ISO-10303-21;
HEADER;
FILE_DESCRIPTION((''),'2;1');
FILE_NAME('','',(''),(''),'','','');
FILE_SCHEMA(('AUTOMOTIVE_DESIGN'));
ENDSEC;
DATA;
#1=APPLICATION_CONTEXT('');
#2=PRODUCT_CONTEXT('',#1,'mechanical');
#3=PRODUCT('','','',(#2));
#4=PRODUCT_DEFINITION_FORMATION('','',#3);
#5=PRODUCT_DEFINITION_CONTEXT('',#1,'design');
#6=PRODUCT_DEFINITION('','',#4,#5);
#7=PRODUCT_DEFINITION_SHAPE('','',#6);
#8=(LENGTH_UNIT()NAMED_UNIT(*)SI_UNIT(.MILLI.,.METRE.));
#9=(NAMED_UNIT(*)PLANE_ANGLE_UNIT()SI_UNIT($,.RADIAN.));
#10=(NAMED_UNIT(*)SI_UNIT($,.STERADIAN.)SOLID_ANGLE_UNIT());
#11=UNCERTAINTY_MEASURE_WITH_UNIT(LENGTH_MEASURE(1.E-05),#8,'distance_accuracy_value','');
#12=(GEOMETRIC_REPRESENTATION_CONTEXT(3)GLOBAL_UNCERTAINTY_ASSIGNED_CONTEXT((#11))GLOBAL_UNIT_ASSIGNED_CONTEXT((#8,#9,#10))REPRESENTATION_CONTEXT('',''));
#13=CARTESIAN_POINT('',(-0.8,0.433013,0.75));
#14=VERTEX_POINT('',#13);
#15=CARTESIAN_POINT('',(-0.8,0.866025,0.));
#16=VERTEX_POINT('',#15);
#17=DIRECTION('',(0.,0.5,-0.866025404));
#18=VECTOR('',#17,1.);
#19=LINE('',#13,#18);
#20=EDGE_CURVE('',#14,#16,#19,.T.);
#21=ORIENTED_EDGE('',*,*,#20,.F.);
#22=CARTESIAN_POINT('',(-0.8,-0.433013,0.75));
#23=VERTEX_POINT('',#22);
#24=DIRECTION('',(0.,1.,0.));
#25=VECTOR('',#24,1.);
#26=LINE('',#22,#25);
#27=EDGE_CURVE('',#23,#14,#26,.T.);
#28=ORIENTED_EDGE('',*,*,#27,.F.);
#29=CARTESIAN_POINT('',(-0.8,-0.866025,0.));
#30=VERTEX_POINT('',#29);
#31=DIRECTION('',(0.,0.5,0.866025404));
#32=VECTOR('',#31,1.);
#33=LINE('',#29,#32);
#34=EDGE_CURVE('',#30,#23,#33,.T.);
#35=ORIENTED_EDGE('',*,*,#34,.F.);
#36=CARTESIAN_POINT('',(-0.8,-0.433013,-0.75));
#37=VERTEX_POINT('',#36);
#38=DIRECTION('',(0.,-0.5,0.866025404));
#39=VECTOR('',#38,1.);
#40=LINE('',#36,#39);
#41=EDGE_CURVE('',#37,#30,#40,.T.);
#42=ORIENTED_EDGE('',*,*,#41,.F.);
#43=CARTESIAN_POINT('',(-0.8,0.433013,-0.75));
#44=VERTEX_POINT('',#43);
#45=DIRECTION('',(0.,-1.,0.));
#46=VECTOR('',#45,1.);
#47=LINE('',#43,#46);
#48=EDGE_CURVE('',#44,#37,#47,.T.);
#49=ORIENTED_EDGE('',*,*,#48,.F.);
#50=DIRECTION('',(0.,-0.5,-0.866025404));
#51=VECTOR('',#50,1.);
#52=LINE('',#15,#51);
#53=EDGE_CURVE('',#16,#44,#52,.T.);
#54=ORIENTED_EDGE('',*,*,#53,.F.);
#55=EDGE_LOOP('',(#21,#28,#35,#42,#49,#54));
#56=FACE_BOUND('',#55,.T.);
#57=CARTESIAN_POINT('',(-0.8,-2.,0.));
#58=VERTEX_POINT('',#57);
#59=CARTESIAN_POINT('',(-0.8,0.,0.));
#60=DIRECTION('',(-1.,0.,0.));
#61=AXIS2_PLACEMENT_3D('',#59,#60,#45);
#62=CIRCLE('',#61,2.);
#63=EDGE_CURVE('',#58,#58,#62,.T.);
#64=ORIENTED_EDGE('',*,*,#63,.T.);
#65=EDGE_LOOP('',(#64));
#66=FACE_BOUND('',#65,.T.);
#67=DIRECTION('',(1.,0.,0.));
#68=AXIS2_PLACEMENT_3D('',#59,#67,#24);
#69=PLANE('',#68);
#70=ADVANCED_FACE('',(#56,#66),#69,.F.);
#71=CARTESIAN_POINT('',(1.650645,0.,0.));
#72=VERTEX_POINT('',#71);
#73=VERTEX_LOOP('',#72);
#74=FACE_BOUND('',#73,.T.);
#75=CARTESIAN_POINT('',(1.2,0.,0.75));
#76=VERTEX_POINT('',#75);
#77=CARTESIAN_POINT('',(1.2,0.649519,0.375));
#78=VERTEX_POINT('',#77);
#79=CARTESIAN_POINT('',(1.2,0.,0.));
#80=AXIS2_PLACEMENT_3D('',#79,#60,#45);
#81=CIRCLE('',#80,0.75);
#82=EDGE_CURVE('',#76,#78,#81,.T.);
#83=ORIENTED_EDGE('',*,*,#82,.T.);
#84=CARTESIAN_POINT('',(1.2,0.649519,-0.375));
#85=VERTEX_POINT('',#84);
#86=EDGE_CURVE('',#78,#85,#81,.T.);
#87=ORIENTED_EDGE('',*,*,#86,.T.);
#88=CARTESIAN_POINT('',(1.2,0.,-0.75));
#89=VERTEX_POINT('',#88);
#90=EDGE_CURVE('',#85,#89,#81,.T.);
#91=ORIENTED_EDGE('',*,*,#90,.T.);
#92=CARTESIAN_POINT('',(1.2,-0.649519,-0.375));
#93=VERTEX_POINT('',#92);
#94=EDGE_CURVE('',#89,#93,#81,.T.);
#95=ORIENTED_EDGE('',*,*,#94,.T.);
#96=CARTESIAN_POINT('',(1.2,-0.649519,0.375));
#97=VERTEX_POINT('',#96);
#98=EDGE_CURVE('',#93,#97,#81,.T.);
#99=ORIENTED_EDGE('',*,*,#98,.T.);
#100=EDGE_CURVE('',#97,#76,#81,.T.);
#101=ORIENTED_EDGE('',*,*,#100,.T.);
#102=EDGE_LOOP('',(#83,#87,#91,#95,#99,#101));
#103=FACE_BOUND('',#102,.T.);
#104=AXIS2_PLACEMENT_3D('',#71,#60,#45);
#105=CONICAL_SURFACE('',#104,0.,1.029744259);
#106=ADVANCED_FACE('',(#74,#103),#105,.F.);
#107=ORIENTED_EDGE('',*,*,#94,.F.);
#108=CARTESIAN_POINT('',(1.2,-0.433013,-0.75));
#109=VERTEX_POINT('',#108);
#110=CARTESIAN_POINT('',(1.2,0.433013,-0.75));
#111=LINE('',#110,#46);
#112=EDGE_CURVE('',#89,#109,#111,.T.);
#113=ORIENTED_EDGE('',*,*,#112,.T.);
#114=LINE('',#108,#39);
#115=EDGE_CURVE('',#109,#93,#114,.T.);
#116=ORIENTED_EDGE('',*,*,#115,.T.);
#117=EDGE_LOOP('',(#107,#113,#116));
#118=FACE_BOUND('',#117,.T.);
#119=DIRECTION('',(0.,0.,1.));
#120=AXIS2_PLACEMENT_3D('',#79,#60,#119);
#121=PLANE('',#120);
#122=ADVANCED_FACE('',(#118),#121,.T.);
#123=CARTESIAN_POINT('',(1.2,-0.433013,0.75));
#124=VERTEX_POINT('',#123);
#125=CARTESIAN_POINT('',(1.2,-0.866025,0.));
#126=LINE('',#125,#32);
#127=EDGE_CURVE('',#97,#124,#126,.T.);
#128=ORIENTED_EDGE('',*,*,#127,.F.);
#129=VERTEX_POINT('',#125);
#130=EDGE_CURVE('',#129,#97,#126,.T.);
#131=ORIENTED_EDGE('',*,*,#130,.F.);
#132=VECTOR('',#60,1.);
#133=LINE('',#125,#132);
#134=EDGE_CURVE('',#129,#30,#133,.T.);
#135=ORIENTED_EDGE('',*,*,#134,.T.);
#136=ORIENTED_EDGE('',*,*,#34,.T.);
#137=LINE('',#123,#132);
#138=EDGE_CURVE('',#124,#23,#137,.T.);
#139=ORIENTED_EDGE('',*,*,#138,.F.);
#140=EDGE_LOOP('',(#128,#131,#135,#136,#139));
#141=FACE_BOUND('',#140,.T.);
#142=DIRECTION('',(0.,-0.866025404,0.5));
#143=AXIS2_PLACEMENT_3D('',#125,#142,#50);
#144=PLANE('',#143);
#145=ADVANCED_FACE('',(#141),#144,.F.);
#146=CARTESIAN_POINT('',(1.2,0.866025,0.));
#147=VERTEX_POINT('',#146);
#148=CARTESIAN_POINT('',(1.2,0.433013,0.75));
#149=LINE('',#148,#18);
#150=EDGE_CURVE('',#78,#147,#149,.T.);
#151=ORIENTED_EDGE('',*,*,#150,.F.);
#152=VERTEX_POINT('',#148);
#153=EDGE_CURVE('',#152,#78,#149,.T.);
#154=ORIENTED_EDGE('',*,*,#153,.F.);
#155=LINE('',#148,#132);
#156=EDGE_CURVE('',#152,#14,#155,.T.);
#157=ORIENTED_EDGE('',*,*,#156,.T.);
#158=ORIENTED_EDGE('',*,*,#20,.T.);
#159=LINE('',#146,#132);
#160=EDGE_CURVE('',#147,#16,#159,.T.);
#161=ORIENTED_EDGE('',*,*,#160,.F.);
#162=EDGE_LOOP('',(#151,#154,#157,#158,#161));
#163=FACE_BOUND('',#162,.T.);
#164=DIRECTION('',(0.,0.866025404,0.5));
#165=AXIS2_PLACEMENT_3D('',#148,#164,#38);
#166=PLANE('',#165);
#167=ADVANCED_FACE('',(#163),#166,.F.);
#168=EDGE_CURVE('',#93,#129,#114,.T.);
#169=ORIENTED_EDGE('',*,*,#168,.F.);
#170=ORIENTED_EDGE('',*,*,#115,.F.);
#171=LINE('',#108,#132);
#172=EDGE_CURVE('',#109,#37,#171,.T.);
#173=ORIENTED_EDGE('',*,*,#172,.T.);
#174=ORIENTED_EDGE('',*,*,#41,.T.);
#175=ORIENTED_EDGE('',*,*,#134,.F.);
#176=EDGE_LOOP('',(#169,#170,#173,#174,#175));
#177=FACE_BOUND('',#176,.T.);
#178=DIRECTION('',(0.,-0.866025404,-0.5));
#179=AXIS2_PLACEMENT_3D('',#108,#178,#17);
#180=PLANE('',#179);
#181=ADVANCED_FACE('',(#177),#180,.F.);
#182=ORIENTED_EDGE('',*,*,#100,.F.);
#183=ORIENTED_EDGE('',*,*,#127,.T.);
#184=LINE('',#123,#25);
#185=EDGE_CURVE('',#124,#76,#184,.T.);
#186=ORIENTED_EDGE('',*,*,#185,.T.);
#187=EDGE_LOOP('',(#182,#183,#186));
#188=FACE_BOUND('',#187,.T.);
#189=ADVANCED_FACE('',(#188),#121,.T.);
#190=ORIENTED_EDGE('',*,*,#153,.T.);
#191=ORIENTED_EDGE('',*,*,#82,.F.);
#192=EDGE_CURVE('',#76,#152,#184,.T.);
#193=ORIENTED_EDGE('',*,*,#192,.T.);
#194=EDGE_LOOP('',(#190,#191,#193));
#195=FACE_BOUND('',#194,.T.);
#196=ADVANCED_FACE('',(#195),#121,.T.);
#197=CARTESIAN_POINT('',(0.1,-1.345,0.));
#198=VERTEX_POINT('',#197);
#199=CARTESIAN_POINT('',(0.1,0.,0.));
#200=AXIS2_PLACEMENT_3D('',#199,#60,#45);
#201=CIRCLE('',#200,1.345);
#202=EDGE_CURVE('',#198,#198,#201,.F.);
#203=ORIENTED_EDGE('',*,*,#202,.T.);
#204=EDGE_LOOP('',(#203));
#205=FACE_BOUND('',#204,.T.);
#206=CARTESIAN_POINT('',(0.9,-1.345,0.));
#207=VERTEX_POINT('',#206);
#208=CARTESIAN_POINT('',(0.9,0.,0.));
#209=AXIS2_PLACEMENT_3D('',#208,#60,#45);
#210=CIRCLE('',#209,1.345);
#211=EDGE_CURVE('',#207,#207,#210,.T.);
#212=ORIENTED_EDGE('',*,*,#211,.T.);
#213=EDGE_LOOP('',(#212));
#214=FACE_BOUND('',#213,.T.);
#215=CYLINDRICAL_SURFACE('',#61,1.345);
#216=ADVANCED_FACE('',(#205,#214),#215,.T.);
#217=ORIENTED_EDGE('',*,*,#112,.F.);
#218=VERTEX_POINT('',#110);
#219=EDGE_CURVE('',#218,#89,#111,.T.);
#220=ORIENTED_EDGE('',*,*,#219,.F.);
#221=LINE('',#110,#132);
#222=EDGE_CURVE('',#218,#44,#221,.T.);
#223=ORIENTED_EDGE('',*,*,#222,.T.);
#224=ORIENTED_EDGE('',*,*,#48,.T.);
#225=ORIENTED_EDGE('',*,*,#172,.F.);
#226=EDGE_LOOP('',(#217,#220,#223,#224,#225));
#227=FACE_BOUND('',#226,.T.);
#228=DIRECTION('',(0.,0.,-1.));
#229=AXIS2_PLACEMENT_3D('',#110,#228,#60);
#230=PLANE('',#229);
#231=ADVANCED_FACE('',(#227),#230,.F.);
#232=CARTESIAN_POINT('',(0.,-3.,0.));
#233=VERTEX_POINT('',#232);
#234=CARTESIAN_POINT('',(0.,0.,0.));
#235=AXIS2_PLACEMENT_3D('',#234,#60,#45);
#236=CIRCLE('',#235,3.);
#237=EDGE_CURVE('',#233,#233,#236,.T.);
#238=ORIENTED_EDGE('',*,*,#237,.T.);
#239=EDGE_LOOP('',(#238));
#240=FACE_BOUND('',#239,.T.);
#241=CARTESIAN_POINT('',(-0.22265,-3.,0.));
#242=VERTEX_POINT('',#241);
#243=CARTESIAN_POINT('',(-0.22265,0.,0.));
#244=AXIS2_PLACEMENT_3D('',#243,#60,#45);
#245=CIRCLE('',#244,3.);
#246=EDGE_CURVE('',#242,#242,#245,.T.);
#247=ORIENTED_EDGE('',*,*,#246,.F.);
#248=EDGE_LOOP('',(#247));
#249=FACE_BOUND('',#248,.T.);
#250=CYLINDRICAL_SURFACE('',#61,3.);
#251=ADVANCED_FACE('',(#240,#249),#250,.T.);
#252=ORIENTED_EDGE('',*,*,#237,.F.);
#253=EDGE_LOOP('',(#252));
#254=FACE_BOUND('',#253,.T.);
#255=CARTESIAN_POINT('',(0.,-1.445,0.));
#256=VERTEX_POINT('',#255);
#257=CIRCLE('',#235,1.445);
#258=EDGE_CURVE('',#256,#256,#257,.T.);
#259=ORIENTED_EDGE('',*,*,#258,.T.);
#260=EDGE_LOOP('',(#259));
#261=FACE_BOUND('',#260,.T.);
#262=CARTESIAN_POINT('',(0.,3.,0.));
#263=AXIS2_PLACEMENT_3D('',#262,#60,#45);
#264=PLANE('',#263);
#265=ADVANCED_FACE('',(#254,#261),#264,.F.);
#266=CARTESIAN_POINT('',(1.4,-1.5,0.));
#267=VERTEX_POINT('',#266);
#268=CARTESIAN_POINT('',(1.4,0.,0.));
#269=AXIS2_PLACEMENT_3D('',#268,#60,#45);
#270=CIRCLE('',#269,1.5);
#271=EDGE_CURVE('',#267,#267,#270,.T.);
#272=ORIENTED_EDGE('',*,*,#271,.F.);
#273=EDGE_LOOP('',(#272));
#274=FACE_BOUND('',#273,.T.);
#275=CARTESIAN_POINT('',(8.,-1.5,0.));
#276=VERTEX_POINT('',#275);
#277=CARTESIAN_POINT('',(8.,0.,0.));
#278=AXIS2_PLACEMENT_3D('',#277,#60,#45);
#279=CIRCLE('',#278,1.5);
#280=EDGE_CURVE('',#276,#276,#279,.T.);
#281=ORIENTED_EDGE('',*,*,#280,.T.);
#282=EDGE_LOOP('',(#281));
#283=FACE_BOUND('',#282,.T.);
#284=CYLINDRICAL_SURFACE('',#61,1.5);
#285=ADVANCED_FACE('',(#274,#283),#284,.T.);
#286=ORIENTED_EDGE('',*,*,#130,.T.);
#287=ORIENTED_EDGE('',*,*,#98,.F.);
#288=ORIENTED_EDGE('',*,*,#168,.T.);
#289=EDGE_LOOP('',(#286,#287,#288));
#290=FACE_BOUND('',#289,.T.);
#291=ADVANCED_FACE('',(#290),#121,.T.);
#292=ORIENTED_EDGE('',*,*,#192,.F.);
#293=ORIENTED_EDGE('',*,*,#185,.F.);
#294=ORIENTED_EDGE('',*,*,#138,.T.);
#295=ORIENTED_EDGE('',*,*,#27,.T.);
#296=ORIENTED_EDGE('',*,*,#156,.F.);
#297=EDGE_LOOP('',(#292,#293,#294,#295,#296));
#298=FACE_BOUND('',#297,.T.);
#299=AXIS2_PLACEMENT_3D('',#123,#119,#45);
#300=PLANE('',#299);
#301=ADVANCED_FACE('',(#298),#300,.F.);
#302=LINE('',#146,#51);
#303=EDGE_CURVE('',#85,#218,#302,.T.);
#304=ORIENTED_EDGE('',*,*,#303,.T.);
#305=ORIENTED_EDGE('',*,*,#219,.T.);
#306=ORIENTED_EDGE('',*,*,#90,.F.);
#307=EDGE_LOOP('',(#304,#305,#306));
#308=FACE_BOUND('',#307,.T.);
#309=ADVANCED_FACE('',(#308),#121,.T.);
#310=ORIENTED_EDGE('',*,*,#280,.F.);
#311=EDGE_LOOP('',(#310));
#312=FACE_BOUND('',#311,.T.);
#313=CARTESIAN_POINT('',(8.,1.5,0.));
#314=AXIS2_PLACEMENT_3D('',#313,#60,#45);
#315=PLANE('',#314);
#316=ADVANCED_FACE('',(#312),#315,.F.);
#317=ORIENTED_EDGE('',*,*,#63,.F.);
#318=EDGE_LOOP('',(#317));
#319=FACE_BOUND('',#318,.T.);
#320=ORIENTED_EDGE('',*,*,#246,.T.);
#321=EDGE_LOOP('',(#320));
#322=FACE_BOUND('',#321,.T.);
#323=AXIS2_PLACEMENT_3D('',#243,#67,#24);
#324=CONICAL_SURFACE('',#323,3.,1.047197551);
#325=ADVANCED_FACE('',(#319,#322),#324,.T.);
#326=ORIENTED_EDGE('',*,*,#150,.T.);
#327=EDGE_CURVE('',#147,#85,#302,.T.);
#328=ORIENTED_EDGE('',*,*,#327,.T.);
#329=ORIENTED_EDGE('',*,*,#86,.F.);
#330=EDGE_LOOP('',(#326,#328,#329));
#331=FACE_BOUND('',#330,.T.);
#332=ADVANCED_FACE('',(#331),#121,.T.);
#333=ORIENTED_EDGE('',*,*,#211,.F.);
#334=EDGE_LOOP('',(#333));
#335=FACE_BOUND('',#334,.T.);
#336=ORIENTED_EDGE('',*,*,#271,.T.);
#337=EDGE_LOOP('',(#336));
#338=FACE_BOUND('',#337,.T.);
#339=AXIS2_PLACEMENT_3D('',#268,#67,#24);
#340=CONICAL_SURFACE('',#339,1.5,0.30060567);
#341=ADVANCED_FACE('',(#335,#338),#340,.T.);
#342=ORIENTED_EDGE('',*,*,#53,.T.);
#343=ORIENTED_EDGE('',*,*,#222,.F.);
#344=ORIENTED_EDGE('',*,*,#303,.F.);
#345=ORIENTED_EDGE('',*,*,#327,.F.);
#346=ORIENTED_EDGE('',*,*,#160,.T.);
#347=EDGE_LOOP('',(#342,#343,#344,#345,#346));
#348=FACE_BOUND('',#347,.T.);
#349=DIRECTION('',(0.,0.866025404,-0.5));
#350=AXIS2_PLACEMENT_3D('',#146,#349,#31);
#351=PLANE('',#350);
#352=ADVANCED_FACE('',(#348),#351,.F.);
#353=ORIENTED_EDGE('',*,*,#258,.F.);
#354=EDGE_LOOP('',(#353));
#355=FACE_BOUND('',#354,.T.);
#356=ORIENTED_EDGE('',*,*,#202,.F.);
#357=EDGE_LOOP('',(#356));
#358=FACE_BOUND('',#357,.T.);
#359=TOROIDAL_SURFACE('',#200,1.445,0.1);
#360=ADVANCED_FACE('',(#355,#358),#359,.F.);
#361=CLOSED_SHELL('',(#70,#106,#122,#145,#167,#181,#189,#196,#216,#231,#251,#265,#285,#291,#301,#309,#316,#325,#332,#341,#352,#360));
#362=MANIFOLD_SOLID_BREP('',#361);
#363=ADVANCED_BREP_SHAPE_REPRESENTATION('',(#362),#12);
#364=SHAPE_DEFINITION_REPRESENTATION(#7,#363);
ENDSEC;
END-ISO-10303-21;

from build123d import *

# Parameters (mm, degrees)
FILLET1_R          = 0.1
CUT_EXTRUDE1_DEPTH = 2


with BuildPart() as part:
    # Sketch1 → Revolve1 (revolve)
    with BuildSketch(Plane.XY, mode=Mode.PRIVATE) as revolve1_sk:
        Polygon((-0.8, 0), (-0.8, 2), (-0.222649731, 3), (0, 3), (0, 1.345), (0.9, 1.345), (1.4, 1.5), (8, 1.5), (8, 0), align=None)
    revolve(revolve1_sk.sketch.rotate(Axis((-0.8, 0, 0), (1, 0, 0)), 180), axis=Axis((-0.8, 0, 0), (1, 0, 0)))

    # Fillet1
    fillet1_edges = [part.edges().sort_by_distance(p)[0] for p in [
        (0, 1.345, 0),
    ]]
    fillet(fillet1_edges, radius=FILLET1_R)

    # Sketch2 → Cut-Extrude1 (cut)
    with BuildSketch(Plane.ZY.offset(0.8)):
        Polygon((0, 0.866025404), (-0.75, 0.433012702), (-0.75, -0.433012702), (0, -0.866025404), (0.75, -0.433012702), (0.75, 0.433012702), align=None)
    extrude(amount=-CUT_EXTRUDE1_DEPTH, mode=Mode.SUBTRACT)

    # Sketch3 → Cut-Revolve1 (revolve, cut)
    with BuildSketch(Plane.XY, mode=Mode.PRIVATE) as cut_revolve1_sk:
        Polygon((1.2, 0), (1.2, 0.75), (1.650645464, 0), align=None)
    revolve(cut_revolve1_sk.sketch.rotate(Axis((1.2, 0, 0), (1, 0, 0)), 180), axis=Axis((1.2, 0, 0), (1, 0, 0)), mode=Mode.SUBTRACT)


solid = part.part
